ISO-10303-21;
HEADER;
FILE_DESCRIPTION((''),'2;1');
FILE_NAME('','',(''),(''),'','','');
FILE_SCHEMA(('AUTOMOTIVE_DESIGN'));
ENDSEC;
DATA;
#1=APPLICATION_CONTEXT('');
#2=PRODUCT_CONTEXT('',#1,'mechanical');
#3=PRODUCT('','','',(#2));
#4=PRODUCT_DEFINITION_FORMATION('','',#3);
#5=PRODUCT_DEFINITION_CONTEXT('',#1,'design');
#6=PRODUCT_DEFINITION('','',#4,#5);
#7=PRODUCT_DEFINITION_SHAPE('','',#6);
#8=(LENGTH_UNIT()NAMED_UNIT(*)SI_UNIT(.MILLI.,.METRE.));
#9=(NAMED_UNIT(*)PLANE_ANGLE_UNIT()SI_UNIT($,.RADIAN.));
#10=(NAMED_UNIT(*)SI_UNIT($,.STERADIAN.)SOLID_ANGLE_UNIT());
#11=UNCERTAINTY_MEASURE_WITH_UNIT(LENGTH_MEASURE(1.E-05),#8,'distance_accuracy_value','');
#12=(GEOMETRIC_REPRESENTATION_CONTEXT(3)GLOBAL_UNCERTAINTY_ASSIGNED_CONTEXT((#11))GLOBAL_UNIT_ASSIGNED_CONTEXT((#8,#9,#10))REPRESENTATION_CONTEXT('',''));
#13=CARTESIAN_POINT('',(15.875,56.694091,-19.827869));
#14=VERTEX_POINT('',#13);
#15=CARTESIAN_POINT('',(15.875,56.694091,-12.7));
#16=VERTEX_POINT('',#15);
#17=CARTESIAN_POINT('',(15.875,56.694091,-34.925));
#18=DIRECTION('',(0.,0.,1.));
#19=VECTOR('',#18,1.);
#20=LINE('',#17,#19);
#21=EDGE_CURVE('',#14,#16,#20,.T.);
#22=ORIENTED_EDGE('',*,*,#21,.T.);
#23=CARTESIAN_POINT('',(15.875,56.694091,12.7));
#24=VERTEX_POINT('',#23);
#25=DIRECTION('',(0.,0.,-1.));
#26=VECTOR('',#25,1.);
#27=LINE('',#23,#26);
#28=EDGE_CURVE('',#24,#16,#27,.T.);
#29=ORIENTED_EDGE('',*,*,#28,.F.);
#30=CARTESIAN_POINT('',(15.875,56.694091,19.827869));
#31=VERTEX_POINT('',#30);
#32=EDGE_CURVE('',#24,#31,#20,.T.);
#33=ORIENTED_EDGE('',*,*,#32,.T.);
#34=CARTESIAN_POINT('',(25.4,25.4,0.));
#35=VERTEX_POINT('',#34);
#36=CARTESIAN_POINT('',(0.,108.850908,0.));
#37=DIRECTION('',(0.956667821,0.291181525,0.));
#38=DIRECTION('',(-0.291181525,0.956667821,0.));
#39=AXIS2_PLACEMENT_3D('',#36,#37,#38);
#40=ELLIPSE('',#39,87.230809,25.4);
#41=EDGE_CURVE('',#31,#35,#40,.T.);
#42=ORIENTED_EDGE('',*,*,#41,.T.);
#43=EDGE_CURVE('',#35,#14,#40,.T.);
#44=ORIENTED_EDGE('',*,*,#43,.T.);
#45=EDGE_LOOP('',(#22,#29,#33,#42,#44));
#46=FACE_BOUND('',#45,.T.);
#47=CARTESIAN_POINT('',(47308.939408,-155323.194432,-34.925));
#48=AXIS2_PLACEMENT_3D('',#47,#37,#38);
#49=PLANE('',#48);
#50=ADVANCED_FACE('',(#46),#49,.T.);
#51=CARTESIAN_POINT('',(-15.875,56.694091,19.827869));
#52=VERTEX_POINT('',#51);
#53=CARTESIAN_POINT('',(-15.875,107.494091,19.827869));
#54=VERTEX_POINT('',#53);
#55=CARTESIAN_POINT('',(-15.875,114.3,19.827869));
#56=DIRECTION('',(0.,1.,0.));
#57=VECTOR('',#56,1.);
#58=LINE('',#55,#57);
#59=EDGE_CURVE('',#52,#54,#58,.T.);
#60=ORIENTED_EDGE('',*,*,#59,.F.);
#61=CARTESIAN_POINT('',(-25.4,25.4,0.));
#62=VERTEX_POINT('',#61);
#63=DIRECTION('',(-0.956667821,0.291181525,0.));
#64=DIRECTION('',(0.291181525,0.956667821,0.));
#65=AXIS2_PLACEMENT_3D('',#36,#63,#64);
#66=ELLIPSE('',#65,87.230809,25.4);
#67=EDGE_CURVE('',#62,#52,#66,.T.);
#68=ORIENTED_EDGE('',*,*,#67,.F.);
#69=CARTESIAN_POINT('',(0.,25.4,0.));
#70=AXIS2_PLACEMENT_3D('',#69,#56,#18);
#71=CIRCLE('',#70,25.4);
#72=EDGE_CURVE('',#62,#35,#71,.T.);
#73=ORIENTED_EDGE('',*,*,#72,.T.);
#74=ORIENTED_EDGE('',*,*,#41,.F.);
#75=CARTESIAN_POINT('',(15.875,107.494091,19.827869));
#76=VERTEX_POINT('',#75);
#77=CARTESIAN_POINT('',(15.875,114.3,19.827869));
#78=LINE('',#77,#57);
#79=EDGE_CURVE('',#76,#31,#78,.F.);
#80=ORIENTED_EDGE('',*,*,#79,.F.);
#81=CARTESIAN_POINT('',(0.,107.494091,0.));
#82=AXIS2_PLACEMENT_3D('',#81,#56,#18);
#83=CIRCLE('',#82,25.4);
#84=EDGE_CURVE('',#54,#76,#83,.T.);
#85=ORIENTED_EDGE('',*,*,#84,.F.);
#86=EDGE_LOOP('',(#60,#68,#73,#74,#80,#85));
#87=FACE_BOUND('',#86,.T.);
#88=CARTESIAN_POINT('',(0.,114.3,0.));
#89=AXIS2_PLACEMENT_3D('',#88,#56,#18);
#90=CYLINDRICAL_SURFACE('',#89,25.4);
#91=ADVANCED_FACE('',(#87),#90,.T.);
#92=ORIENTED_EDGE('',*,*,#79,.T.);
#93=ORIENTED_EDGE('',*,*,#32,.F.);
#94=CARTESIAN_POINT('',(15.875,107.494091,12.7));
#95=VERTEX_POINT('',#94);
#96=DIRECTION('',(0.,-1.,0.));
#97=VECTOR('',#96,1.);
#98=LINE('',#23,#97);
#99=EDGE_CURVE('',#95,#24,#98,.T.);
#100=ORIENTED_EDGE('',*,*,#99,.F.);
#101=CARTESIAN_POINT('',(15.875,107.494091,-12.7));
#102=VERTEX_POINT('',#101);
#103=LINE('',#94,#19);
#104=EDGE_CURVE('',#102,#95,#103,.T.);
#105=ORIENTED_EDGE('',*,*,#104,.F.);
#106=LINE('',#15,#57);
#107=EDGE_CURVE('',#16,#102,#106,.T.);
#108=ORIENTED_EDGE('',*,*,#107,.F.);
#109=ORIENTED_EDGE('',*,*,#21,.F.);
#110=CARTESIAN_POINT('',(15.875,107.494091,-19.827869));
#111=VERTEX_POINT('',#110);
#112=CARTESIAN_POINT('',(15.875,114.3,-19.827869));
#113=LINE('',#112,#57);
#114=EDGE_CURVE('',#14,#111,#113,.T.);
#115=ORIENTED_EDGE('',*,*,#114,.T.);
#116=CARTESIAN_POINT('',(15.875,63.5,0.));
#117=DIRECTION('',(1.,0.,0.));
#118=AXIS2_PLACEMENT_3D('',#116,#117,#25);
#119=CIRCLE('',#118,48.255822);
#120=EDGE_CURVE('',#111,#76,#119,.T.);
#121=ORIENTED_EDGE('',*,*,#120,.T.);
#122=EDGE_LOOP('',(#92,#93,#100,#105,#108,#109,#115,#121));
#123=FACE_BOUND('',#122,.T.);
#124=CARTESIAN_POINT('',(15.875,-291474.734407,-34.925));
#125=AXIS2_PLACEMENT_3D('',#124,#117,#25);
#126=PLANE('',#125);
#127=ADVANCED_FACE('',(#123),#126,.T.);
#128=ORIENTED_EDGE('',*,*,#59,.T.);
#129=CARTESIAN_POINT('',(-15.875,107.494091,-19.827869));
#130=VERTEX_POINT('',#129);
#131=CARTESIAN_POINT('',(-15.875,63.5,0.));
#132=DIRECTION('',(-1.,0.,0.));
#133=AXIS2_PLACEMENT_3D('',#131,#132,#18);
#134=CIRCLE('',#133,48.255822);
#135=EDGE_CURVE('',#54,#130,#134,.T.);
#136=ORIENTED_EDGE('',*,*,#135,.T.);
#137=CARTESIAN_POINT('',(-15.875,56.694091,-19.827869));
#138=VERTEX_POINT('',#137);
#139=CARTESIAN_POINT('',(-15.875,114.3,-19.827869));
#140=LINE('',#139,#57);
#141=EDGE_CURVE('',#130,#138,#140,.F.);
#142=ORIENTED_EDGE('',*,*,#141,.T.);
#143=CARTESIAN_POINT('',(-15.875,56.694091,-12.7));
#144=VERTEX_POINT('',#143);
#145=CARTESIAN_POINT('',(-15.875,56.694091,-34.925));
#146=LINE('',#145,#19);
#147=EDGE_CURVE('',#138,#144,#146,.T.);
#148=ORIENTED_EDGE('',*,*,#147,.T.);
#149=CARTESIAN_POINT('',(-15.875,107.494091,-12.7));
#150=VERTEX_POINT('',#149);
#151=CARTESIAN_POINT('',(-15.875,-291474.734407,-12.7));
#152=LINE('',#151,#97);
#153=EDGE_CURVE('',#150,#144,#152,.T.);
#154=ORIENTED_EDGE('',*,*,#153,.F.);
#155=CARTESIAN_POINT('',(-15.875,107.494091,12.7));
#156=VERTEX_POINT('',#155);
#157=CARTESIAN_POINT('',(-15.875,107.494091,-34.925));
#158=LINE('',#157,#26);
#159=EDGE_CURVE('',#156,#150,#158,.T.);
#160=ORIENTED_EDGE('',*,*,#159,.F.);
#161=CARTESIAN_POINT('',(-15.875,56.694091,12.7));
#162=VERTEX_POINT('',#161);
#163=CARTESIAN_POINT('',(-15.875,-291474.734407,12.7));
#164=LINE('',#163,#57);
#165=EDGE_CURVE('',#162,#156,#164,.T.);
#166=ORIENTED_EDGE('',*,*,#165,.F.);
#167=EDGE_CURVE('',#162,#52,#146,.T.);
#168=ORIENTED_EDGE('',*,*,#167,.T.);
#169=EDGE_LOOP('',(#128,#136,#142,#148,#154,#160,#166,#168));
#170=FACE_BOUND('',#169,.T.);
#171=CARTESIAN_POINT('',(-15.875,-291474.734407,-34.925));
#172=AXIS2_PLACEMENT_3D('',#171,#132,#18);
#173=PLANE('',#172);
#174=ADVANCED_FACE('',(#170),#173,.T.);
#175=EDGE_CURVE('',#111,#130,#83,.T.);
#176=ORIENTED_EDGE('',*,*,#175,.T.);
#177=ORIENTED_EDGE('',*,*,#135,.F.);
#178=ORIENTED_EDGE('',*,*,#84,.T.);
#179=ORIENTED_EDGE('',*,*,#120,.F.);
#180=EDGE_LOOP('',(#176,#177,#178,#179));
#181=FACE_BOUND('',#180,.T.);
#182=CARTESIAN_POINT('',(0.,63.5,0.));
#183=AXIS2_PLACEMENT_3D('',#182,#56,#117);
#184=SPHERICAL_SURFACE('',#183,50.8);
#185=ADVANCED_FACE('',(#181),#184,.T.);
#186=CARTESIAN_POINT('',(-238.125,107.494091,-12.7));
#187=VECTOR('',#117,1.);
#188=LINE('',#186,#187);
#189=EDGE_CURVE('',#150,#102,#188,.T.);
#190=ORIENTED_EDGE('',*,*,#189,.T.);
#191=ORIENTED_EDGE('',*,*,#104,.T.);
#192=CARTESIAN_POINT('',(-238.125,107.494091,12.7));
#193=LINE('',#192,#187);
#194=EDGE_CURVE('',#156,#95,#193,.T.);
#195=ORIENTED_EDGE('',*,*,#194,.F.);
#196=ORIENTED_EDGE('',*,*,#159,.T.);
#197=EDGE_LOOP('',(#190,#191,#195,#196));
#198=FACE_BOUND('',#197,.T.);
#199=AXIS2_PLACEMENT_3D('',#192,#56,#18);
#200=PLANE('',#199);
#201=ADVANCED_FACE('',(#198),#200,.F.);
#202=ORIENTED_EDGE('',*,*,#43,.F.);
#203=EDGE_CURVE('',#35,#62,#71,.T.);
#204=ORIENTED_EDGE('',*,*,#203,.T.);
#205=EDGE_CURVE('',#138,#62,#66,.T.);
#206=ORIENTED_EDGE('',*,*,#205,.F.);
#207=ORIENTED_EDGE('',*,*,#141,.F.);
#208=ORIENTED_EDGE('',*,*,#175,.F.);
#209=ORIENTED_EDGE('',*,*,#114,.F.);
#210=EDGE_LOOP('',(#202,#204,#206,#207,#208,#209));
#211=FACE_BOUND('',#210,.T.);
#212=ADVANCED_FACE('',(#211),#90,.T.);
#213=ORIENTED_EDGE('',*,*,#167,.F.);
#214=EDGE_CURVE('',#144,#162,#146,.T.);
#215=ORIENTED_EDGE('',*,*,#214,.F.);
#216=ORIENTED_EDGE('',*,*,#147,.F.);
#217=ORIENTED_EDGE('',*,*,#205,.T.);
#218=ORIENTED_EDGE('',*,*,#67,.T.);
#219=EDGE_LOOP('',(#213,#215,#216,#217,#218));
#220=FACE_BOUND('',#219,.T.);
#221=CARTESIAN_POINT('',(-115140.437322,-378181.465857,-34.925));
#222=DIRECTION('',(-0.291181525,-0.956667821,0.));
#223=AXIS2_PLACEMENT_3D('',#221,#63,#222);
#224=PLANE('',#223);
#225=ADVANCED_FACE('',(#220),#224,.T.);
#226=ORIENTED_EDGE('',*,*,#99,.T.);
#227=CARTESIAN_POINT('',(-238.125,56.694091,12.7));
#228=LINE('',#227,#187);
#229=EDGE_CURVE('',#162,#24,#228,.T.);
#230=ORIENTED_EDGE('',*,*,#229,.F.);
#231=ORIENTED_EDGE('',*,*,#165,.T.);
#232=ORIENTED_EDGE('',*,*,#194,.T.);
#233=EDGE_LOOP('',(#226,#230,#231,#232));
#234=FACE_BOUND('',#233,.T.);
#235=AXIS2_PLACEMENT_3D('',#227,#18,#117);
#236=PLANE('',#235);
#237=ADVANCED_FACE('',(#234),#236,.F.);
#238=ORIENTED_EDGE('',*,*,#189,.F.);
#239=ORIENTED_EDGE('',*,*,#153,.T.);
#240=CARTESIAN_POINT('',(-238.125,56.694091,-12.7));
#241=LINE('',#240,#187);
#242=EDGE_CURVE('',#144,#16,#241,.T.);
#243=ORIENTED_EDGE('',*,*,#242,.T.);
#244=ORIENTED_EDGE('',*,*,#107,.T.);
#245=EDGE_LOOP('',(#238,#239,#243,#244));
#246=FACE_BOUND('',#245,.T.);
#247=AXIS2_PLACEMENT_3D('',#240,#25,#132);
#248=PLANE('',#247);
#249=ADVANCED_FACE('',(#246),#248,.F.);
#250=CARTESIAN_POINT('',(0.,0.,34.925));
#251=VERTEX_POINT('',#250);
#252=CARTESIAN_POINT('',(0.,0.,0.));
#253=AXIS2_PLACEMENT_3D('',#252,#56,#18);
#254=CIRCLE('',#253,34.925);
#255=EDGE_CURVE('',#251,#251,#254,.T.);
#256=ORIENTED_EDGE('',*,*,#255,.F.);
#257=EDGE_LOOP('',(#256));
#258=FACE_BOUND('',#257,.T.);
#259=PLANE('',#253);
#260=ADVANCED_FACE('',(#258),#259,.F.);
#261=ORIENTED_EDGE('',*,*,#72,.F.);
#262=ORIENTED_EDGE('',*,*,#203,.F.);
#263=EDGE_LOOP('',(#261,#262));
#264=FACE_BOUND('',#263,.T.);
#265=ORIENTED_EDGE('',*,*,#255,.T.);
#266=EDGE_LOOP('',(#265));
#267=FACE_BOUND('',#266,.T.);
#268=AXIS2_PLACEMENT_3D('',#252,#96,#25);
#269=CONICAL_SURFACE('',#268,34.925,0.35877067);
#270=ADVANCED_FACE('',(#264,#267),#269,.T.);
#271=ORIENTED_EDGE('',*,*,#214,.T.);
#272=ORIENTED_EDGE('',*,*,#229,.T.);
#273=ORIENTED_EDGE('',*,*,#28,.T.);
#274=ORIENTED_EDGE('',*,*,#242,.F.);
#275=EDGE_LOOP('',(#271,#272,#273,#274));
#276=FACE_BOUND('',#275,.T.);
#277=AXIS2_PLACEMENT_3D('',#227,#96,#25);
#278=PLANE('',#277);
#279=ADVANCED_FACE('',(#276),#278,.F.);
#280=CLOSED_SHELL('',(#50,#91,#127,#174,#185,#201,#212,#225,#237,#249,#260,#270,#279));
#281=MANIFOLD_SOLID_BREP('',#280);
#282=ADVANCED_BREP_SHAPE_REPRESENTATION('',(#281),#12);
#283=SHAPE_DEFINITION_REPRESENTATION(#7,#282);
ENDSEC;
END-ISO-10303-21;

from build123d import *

# Parameters (mm, degrees)
CUT_EXTRUDE2_DEPTH      = 125.51506435
CUT_EXTRUDE2_DEPTH_BACK = 125.51506435
SKETCH7_W               = 25.4
SKETCH7_H               = 50.8
CUT_EXTRUDE3_DEPTH      = 254


with BuildPart() as part:
    # Sketch1 → Revolve1 (revolve)
    with BuildSketch(Plane.XY, mode=Mode.PRIVATE) as revolve1_sk:
        with BuildLine():
            Line((0, 0), (34.925, 0))
            Line((34.925, 0), (25.4, 25.4))
            Line((25.4, 25.4), (25.4, 107.494090512))
            ThreePointArc((25.4, 107.494090512), (13.148007491, 112.569031975), (0, 114.3))
            Line((0, 114.3), (0, 0))
        make_face()
    revolve(revolve1_sk.sketch.rotate(Axis((0, 114.3, 0), (0, -1, 0)), 90), axis=Axis((0, 114.3, 0), (0, -1, 0)))

    # Sketch6 → Cut-Extrude2 (cut, two sides: drawn at the far end of the back side and taken through both)
    with BuildSketch(Plane.XY.offset(-CUT_EXTRUDE2_DEPTH_BACK)):
        Polygon((-15.875, 56.694090512), (-25.4, 25.4), (-28.70874161, 28.70874161), (-29.778723272, 127.895690519), (-15.875, 127.895690519), align=None)
        Polygon((15.875, 127.895690519), (29.778723272, 127.895690519), (28.70874161, 28.70874161), (25.4, 25.4), (15.875, 56.694090512), align=None)
    extrude(amount=CUT_EXTRUDE2_DEPTH + CUT_EXTRUDE2_DEPTH_BACK, mode=Mode.SUBTRACT)

    # Sketch7 → Cut-Extrude3 (cut)
    with BuildSketch(Plane(origin=(15.875, 0, 0), x_dir=(0, 0, -1), z_dir=(1, 0, 0))):
        with Locations((0, 82.094090512)):
            Rectangle(SKETCH7_W, SKETCH7_H)
    extrude(amount=-CUT_EXTRUDE3_DEPTH, mode=Mode.SUBTRACT)


solid = part.part
